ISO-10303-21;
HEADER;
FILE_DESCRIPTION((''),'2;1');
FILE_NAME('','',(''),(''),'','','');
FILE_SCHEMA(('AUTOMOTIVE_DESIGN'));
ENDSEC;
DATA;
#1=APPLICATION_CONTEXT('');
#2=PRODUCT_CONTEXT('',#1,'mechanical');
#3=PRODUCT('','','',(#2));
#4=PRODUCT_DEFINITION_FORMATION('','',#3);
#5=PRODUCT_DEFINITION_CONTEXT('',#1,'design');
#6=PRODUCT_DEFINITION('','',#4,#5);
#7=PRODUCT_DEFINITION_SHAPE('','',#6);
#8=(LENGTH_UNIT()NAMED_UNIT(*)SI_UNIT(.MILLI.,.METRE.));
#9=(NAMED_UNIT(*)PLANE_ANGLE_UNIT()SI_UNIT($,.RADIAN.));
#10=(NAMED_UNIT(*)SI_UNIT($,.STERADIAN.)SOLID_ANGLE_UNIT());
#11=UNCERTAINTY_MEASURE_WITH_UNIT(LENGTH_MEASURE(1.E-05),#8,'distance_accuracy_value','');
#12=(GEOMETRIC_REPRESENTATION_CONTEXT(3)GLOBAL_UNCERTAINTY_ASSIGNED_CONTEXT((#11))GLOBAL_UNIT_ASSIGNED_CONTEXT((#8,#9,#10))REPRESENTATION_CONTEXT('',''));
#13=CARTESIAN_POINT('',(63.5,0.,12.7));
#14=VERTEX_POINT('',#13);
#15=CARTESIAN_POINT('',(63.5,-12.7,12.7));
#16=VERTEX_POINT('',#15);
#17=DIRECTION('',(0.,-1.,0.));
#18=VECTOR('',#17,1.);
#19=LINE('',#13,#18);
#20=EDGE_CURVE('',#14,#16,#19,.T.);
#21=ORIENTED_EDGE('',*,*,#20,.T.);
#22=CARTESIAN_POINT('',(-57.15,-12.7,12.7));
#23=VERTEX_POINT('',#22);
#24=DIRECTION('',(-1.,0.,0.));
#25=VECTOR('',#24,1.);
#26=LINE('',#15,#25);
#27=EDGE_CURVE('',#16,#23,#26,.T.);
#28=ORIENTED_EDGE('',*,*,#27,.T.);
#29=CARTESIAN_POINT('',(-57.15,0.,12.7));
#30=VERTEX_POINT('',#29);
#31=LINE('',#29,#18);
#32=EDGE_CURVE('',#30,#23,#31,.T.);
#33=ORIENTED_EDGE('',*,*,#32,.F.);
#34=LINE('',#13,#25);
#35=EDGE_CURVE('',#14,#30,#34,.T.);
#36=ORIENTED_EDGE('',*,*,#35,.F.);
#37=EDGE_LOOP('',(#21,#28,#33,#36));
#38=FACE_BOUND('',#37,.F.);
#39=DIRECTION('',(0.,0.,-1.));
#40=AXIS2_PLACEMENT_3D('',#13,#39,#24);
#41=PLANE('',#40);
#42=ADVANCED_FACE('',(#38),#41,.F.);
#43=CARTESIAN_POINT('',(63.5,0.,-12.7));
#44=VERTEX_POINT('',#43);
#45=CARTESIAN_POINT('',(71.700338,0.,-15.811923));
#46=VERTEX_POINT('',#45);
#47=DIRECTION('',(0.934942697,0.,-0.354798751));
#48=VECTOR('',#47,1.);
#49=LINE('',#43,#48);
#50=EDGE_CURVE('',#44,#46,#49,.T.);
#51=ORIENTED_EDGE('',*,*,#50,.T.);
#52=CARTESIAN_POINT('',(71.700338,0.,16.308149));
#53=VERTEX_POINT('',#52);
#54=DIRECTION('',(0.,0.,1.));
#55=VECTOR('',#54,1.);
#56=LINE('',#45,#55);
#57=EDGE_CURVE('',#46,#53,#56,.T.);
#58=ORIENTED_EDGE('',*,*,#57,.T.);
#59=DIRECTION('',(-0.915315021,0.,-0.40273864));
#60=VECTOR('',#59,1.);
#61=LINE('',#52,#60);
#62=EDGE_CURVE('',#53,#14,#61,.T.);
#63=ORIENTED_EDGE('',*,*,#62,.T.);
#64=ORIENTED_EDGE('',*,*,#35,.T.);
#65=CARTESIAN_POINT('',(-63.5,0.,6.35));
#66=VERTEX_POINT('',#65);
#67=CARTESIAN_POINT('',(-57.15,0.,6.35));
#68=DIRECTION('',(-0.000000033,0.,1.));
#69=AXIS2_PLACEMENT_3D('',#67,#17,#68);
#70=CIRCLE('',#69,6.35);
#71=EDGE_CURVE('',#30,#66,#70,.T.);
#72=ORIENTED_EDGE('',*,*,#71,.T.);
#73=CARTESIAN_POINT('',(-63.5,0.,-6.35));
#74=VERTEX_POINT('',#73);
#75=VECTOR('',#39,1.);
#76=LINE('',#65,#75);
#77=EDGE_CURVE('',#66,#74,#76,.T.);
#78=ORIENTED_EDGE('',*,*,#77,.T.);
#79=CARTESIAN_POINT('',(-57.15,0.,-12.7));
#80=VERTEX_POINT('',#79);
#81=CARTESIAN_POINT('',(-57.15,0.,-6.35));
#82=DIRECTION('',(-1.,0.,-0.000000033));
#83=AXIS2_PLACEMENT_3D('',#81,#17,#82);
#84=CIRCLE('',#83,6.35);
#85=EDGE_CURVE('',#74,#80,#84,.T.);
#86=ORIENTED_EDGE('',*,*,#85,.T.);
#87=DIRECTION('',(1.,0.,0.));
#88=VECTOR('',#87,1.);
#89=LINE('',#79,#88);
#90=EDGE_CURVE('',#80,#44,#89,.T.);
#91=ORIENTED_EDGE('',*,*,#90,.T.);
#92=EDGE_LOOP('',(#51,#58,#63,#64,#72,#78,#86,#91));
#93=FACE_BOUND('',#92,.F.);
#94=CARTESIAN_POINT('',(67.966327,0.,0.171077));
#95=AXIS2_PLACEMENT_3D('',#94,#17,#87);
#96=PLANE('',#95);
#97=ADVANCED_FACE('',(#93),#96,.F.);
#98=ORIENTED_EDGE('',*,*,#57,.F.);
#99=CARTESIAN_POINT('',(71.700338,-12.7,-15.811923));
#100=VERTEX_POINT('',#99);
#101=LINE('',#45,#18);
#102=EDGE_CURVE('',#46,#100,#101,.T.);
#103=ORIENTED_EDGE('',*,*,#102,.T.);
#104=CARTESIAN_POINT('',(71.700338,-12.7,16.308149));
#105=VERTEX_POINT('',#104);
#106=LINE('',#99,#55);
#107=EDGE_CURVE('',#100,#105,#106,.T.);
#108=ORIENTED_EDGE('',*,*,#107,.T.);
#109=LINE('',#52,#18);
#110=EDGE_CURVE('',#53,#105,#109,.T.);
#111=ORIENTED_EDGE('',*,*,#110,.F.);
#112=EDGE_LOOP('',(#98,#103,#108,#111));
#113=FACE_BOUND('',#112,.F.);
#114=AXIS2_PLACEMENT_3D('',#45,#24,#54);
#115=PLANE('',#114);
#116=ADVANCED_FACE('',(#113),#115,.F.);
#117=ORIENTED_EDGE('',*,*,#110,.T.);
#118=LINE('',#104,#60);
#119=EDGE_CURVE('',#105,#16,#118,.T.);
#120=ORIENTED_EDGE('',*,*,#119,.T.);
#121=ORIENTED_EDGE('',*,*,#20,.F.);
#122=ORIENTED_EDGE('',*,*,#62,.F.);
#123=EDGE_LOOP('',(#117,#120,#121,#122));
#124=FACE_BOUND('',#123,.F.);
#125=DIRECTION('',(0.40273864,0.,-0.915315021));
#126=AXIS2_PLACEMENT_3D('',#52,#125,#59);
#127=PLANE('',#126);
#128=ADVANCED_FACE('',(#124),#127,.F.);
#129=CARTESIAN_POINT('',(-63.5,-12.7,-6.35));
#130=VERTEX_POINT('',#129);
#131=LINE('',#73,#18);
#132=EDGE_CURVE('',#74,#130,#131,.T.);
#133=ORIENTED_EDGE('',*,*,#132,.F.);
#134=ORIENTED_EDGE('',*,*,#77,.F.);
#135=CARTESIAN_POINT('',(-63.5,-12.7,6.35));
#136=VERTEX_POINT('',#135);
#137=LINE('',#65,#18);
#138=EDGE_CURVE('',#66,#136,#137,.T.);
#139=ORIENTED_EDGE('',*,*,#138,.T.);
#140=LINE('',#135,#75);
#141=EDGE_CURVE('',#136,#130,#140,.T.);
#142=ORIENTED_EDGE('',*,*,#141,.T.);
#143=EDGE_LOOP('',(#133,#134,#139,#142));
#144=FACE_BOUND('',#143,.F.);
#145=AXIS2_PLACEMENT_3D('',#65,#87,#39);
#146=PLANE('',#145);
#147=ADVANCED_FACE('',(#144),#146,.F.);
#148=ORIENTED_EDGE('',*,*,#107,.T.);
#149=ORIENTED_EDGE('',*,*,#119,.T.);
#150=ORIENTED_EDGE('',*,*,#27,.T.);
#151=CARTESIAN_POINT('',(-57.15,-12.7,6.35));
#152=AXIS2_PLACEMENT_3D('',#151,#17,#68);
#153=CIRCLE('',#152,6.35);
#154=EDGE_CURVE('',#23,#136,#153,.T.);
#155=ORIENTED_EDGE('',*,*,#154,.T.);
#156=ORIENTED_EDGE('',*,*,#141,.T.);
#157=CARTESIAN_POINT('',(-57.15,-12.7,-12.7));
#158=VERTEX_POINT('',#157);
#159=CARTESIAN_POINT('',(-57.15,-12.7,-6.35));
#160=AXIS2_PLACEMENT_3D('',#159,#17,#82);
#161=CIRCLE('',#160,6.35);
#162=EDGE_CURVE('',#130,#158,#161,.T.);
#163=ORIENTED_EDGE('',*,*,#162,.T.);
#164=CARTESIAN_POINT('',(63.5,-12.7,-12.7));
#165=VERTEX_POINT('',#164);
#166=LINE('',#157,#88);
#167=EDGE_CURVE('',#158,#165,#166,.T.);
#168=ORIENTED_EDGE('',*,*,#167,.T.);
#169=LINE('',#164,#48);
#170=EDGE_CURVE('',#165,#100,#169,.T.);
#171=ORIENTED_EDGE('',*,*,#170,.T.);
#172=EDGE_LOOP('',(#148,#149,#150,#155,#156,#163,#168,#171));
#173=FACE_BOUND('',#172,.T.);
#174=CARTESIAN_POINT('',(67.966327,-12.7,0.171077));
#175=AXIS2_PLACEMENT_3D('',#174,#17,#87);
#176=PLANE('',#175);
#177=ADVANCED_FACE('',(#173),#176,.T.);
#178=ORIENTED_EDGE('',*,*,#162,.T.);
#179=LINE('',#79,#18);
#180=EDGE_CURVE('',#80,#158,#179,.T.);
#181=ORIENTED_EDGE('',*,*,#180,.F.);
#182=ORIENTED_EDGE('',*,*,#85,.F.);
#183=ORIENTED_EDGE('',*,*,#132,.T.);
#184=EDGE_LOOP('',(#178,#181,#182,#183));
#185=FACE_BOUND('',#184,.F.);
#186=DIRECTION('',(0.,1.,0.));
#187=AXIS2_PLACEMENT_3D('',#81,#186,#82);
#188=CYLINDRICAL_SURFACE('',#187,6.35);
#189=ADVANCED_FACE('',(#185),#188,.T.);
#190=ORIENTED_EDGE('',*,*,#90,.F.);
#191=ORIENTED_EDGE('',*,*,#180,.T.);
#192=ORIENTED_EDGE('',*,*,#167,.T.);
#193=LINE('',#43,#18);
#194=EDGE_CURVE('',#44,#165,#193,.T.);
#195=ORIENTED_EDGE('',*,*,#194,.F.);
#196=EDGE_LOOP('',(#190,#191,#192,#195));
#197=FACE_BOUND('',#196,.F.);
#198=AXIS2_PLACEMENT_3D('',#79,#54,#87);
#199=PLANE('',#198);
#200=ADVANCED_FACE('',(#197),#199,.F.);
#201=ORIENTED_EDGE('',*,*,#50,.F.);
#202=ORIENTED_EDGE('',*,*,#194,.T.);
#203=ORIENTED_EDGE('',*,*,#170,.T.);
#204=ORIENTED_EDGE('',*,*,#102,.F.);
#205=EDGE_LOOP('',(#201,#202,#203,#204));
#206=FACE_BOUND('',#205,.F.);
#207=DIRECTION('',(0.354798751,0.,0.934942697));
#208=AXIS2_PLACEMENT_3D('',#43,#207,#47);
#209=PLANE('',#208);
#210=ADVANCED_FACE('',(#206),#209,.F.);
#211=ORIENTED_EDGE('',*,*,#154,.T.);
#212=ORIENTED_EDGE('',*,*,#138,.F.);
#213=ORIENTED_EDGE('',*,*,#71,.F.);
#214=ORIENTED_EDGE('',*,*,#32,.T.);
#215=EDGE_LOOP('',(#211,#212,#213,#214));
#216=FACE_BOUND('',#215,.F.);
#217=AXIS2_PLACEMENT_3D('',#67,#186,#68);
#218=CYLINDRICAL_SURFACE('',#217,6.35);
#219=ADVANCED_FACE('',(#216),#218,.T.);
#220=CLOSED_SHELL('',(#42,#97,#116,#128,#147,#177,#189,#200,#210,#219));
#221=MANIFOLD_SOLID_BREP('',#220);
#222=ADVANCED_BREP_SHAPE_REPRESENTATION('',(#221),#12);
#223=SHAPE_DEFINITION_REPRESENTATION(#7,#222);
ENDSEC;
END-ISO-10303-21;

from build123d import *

# Parameters (mm, degrees)
F1_DEPTH = 12.7


with BuildPart() as f1:
    # F0 (on Front) → F1 (new body)
    with BuildSketch(Plane.XZ):
        Polygon((71.700338, 16.308149), (63.5, 12.7), (63.5, -12.7), (71.700338, -15.811923), align=None)
        with BuildLine():
            Line((63.5, 12.7), (-57.15, 12.7))
            ThreePointArc((-57.15, 12.7), (-61.640128, 10.840128), (-63.5, 6.35))
            Line((-63.5, 6.35), (-63.5, -6.35))
            ThreePointArc((-63.5, -6.35), (-61.640128, -10.840128), (-57.15, -12.7))
            Line((-57.15, -12.7), (63.5, -12.7))
            Line((63.5, -12.7), (63.5, 12.7))
        make_face()
    extrude(amount=F1_DEPTH)


solid = f1.part
